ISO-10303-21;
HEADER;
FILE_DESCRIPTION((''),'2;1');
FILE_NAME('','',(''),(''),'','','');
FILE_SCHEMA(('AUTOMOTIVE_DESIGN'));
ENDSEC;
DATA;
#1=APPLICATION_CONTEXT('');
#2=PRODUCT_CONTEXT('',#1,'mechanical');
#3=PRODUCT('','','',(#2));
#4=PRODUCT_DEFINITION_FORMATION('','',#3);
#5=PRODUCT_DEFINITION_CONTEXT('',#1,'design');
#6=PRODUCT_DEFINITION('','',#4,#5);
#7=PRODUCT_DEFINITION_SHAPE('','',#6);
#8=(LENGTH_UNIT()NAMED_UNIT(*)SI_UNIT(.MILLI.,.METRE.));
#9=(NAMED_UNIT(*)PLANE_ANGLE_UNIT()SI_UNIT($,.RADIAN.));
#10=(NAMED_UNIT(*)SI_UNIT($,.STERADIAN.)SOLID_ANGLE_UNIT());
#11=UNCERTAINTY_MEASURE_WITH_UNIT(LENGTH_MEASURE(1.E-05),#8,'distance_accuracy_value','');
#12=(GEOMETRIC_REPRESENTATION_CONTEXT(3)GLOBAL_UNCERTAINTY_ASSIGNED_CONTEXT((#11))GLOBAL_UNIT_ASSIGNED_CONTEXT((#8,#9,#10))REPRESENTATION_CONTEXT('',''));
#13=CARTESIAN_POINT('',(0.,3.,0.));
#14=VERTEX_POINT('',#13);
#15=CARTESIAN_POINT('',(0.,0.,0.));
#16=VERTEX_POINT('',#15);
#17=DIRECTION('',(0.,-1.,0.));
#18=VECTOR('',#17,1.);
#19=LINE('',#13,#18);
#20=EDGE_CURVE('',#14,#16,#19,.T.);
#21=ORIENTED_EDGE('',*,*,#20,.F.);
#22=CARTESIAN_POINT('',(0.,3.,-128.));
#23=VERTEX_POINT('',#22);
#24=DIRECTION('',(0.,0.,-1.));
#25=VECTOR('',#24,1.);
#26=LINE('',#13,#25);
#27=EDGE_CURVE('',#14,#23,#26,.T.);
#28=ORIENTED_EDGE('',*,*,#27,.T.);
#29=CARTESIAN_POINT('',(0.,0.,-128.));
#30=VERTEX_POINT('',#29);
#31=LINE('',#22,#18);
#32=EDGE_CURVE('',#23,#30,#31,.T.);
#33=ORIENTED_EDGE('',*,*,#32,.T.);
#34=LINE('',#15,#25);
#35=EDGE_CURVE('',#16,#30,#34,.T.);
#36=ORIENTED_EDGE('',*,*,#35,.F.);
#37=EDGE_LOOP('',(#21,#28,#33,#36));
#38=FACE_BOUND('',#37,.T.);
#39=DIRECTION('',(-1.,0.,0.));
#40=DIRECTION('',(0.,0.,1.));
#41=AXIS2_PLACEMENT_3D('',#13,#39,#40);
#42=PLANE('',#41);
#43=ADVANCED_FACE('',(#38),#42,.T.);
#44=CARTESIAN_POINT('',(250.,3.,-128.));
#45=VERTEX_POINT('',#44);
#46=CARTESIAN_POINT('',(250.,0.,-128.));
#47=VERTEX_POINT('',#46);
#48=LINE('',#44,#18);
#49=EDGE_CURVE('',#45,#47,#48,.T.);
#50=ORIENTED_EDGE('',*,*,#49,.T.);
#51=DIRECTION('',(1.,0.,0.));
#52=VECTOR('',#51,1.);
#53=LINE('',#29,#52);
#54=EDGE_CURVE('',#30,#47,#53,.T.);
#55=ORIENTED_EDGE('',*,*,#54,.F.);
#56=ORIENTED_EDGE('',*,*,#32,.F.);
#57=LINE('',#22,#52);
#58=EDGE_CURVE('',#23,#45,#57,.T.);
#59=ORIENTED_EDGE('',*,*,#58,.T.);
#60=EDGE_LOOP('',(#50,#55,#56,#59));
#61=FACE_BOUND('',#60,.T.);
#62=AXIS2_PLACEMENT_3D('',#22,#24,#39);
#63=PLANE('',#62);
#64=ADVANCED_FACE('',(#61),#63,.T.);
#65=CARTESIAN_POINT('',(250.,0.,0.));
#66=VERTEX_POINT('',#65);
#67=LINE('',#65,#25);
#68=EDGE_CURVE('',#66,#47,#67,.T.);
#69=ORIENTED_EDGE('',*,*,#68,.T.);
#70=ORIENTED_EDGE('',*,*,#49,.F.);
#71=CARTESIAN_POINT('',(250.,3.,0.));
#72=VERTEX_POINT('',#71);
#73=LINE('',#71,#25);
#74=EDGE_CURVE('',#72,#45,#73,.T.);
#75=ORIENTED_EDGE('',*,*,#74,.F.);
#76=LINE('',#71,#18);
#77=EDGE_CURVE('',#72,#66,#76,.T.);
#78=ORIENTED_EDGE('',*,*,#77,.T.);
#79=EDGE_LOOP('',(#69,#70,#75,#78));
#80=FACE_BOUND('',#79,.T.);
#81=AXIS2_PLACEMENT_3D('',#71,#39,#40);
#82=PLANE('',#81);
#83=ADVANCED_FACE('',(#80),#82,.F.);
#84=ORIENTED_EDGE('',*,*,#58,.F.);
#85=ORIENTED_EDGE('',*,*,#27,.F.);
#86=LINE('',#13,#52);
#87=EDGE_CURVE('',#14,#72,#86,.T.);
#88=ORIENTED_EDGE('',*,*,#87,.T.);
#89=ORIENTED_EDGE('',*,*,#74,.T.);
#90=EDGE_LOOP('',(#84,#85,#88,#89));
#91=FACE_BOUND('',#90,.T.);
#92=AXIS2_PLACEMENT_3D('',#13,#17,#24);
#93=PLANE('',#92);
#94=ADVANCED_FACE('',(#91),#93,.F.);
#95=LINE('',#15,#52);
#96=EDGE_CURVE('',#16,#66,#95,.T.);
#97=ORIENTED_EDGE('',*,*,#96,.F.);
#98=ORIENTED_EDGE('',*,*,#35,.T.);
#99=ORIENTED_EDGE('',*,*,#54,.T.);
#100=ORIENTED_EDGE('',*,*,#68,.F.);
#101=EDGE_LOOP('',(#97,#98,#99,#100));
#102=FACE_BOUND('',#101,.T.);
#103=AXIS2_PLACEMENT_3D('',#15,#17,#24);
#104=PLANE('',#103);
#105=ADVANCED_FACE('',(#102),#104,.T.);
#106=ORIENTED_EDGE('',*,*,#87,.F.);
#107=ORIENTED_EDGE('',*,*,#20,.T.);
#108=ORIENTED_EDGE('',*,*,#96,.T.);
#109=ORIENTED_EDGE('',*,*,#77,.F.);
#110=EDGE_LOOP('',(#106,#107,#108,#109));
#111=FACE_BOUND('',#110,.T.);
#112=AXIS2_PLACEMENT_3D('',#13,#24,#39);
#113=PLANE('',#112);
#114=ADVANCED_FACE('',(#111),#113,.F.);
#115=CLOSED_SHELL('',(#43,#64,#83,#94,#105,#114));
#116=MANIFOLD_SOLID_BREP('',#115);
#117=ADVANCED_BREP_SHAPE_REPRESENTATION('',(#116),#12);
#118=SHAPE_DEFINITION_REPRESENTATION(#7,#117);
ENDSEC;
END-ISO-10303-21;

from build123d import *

# Parameters (mm, degrees)
SKETCH1_W           = 250
SKETCH1_H           = 128
BOSS_EXTRUDE1_DEPTH = 3


with BuildPart() as part:
    # Sketch1 → Boss-Extrude1 (new body)
    with BuildSketch(Plane(origin=(0, 0, 0), x_dir=(1, 0, 0), z_dir=(0, 1, 0))):
        with Locations((125, 64)):
            Rectangle(SKETCH1_W, SKETCH1_H)
    extrude(amount=BOSS_EXTRUDE1_DEPTH)


solid = part.part
